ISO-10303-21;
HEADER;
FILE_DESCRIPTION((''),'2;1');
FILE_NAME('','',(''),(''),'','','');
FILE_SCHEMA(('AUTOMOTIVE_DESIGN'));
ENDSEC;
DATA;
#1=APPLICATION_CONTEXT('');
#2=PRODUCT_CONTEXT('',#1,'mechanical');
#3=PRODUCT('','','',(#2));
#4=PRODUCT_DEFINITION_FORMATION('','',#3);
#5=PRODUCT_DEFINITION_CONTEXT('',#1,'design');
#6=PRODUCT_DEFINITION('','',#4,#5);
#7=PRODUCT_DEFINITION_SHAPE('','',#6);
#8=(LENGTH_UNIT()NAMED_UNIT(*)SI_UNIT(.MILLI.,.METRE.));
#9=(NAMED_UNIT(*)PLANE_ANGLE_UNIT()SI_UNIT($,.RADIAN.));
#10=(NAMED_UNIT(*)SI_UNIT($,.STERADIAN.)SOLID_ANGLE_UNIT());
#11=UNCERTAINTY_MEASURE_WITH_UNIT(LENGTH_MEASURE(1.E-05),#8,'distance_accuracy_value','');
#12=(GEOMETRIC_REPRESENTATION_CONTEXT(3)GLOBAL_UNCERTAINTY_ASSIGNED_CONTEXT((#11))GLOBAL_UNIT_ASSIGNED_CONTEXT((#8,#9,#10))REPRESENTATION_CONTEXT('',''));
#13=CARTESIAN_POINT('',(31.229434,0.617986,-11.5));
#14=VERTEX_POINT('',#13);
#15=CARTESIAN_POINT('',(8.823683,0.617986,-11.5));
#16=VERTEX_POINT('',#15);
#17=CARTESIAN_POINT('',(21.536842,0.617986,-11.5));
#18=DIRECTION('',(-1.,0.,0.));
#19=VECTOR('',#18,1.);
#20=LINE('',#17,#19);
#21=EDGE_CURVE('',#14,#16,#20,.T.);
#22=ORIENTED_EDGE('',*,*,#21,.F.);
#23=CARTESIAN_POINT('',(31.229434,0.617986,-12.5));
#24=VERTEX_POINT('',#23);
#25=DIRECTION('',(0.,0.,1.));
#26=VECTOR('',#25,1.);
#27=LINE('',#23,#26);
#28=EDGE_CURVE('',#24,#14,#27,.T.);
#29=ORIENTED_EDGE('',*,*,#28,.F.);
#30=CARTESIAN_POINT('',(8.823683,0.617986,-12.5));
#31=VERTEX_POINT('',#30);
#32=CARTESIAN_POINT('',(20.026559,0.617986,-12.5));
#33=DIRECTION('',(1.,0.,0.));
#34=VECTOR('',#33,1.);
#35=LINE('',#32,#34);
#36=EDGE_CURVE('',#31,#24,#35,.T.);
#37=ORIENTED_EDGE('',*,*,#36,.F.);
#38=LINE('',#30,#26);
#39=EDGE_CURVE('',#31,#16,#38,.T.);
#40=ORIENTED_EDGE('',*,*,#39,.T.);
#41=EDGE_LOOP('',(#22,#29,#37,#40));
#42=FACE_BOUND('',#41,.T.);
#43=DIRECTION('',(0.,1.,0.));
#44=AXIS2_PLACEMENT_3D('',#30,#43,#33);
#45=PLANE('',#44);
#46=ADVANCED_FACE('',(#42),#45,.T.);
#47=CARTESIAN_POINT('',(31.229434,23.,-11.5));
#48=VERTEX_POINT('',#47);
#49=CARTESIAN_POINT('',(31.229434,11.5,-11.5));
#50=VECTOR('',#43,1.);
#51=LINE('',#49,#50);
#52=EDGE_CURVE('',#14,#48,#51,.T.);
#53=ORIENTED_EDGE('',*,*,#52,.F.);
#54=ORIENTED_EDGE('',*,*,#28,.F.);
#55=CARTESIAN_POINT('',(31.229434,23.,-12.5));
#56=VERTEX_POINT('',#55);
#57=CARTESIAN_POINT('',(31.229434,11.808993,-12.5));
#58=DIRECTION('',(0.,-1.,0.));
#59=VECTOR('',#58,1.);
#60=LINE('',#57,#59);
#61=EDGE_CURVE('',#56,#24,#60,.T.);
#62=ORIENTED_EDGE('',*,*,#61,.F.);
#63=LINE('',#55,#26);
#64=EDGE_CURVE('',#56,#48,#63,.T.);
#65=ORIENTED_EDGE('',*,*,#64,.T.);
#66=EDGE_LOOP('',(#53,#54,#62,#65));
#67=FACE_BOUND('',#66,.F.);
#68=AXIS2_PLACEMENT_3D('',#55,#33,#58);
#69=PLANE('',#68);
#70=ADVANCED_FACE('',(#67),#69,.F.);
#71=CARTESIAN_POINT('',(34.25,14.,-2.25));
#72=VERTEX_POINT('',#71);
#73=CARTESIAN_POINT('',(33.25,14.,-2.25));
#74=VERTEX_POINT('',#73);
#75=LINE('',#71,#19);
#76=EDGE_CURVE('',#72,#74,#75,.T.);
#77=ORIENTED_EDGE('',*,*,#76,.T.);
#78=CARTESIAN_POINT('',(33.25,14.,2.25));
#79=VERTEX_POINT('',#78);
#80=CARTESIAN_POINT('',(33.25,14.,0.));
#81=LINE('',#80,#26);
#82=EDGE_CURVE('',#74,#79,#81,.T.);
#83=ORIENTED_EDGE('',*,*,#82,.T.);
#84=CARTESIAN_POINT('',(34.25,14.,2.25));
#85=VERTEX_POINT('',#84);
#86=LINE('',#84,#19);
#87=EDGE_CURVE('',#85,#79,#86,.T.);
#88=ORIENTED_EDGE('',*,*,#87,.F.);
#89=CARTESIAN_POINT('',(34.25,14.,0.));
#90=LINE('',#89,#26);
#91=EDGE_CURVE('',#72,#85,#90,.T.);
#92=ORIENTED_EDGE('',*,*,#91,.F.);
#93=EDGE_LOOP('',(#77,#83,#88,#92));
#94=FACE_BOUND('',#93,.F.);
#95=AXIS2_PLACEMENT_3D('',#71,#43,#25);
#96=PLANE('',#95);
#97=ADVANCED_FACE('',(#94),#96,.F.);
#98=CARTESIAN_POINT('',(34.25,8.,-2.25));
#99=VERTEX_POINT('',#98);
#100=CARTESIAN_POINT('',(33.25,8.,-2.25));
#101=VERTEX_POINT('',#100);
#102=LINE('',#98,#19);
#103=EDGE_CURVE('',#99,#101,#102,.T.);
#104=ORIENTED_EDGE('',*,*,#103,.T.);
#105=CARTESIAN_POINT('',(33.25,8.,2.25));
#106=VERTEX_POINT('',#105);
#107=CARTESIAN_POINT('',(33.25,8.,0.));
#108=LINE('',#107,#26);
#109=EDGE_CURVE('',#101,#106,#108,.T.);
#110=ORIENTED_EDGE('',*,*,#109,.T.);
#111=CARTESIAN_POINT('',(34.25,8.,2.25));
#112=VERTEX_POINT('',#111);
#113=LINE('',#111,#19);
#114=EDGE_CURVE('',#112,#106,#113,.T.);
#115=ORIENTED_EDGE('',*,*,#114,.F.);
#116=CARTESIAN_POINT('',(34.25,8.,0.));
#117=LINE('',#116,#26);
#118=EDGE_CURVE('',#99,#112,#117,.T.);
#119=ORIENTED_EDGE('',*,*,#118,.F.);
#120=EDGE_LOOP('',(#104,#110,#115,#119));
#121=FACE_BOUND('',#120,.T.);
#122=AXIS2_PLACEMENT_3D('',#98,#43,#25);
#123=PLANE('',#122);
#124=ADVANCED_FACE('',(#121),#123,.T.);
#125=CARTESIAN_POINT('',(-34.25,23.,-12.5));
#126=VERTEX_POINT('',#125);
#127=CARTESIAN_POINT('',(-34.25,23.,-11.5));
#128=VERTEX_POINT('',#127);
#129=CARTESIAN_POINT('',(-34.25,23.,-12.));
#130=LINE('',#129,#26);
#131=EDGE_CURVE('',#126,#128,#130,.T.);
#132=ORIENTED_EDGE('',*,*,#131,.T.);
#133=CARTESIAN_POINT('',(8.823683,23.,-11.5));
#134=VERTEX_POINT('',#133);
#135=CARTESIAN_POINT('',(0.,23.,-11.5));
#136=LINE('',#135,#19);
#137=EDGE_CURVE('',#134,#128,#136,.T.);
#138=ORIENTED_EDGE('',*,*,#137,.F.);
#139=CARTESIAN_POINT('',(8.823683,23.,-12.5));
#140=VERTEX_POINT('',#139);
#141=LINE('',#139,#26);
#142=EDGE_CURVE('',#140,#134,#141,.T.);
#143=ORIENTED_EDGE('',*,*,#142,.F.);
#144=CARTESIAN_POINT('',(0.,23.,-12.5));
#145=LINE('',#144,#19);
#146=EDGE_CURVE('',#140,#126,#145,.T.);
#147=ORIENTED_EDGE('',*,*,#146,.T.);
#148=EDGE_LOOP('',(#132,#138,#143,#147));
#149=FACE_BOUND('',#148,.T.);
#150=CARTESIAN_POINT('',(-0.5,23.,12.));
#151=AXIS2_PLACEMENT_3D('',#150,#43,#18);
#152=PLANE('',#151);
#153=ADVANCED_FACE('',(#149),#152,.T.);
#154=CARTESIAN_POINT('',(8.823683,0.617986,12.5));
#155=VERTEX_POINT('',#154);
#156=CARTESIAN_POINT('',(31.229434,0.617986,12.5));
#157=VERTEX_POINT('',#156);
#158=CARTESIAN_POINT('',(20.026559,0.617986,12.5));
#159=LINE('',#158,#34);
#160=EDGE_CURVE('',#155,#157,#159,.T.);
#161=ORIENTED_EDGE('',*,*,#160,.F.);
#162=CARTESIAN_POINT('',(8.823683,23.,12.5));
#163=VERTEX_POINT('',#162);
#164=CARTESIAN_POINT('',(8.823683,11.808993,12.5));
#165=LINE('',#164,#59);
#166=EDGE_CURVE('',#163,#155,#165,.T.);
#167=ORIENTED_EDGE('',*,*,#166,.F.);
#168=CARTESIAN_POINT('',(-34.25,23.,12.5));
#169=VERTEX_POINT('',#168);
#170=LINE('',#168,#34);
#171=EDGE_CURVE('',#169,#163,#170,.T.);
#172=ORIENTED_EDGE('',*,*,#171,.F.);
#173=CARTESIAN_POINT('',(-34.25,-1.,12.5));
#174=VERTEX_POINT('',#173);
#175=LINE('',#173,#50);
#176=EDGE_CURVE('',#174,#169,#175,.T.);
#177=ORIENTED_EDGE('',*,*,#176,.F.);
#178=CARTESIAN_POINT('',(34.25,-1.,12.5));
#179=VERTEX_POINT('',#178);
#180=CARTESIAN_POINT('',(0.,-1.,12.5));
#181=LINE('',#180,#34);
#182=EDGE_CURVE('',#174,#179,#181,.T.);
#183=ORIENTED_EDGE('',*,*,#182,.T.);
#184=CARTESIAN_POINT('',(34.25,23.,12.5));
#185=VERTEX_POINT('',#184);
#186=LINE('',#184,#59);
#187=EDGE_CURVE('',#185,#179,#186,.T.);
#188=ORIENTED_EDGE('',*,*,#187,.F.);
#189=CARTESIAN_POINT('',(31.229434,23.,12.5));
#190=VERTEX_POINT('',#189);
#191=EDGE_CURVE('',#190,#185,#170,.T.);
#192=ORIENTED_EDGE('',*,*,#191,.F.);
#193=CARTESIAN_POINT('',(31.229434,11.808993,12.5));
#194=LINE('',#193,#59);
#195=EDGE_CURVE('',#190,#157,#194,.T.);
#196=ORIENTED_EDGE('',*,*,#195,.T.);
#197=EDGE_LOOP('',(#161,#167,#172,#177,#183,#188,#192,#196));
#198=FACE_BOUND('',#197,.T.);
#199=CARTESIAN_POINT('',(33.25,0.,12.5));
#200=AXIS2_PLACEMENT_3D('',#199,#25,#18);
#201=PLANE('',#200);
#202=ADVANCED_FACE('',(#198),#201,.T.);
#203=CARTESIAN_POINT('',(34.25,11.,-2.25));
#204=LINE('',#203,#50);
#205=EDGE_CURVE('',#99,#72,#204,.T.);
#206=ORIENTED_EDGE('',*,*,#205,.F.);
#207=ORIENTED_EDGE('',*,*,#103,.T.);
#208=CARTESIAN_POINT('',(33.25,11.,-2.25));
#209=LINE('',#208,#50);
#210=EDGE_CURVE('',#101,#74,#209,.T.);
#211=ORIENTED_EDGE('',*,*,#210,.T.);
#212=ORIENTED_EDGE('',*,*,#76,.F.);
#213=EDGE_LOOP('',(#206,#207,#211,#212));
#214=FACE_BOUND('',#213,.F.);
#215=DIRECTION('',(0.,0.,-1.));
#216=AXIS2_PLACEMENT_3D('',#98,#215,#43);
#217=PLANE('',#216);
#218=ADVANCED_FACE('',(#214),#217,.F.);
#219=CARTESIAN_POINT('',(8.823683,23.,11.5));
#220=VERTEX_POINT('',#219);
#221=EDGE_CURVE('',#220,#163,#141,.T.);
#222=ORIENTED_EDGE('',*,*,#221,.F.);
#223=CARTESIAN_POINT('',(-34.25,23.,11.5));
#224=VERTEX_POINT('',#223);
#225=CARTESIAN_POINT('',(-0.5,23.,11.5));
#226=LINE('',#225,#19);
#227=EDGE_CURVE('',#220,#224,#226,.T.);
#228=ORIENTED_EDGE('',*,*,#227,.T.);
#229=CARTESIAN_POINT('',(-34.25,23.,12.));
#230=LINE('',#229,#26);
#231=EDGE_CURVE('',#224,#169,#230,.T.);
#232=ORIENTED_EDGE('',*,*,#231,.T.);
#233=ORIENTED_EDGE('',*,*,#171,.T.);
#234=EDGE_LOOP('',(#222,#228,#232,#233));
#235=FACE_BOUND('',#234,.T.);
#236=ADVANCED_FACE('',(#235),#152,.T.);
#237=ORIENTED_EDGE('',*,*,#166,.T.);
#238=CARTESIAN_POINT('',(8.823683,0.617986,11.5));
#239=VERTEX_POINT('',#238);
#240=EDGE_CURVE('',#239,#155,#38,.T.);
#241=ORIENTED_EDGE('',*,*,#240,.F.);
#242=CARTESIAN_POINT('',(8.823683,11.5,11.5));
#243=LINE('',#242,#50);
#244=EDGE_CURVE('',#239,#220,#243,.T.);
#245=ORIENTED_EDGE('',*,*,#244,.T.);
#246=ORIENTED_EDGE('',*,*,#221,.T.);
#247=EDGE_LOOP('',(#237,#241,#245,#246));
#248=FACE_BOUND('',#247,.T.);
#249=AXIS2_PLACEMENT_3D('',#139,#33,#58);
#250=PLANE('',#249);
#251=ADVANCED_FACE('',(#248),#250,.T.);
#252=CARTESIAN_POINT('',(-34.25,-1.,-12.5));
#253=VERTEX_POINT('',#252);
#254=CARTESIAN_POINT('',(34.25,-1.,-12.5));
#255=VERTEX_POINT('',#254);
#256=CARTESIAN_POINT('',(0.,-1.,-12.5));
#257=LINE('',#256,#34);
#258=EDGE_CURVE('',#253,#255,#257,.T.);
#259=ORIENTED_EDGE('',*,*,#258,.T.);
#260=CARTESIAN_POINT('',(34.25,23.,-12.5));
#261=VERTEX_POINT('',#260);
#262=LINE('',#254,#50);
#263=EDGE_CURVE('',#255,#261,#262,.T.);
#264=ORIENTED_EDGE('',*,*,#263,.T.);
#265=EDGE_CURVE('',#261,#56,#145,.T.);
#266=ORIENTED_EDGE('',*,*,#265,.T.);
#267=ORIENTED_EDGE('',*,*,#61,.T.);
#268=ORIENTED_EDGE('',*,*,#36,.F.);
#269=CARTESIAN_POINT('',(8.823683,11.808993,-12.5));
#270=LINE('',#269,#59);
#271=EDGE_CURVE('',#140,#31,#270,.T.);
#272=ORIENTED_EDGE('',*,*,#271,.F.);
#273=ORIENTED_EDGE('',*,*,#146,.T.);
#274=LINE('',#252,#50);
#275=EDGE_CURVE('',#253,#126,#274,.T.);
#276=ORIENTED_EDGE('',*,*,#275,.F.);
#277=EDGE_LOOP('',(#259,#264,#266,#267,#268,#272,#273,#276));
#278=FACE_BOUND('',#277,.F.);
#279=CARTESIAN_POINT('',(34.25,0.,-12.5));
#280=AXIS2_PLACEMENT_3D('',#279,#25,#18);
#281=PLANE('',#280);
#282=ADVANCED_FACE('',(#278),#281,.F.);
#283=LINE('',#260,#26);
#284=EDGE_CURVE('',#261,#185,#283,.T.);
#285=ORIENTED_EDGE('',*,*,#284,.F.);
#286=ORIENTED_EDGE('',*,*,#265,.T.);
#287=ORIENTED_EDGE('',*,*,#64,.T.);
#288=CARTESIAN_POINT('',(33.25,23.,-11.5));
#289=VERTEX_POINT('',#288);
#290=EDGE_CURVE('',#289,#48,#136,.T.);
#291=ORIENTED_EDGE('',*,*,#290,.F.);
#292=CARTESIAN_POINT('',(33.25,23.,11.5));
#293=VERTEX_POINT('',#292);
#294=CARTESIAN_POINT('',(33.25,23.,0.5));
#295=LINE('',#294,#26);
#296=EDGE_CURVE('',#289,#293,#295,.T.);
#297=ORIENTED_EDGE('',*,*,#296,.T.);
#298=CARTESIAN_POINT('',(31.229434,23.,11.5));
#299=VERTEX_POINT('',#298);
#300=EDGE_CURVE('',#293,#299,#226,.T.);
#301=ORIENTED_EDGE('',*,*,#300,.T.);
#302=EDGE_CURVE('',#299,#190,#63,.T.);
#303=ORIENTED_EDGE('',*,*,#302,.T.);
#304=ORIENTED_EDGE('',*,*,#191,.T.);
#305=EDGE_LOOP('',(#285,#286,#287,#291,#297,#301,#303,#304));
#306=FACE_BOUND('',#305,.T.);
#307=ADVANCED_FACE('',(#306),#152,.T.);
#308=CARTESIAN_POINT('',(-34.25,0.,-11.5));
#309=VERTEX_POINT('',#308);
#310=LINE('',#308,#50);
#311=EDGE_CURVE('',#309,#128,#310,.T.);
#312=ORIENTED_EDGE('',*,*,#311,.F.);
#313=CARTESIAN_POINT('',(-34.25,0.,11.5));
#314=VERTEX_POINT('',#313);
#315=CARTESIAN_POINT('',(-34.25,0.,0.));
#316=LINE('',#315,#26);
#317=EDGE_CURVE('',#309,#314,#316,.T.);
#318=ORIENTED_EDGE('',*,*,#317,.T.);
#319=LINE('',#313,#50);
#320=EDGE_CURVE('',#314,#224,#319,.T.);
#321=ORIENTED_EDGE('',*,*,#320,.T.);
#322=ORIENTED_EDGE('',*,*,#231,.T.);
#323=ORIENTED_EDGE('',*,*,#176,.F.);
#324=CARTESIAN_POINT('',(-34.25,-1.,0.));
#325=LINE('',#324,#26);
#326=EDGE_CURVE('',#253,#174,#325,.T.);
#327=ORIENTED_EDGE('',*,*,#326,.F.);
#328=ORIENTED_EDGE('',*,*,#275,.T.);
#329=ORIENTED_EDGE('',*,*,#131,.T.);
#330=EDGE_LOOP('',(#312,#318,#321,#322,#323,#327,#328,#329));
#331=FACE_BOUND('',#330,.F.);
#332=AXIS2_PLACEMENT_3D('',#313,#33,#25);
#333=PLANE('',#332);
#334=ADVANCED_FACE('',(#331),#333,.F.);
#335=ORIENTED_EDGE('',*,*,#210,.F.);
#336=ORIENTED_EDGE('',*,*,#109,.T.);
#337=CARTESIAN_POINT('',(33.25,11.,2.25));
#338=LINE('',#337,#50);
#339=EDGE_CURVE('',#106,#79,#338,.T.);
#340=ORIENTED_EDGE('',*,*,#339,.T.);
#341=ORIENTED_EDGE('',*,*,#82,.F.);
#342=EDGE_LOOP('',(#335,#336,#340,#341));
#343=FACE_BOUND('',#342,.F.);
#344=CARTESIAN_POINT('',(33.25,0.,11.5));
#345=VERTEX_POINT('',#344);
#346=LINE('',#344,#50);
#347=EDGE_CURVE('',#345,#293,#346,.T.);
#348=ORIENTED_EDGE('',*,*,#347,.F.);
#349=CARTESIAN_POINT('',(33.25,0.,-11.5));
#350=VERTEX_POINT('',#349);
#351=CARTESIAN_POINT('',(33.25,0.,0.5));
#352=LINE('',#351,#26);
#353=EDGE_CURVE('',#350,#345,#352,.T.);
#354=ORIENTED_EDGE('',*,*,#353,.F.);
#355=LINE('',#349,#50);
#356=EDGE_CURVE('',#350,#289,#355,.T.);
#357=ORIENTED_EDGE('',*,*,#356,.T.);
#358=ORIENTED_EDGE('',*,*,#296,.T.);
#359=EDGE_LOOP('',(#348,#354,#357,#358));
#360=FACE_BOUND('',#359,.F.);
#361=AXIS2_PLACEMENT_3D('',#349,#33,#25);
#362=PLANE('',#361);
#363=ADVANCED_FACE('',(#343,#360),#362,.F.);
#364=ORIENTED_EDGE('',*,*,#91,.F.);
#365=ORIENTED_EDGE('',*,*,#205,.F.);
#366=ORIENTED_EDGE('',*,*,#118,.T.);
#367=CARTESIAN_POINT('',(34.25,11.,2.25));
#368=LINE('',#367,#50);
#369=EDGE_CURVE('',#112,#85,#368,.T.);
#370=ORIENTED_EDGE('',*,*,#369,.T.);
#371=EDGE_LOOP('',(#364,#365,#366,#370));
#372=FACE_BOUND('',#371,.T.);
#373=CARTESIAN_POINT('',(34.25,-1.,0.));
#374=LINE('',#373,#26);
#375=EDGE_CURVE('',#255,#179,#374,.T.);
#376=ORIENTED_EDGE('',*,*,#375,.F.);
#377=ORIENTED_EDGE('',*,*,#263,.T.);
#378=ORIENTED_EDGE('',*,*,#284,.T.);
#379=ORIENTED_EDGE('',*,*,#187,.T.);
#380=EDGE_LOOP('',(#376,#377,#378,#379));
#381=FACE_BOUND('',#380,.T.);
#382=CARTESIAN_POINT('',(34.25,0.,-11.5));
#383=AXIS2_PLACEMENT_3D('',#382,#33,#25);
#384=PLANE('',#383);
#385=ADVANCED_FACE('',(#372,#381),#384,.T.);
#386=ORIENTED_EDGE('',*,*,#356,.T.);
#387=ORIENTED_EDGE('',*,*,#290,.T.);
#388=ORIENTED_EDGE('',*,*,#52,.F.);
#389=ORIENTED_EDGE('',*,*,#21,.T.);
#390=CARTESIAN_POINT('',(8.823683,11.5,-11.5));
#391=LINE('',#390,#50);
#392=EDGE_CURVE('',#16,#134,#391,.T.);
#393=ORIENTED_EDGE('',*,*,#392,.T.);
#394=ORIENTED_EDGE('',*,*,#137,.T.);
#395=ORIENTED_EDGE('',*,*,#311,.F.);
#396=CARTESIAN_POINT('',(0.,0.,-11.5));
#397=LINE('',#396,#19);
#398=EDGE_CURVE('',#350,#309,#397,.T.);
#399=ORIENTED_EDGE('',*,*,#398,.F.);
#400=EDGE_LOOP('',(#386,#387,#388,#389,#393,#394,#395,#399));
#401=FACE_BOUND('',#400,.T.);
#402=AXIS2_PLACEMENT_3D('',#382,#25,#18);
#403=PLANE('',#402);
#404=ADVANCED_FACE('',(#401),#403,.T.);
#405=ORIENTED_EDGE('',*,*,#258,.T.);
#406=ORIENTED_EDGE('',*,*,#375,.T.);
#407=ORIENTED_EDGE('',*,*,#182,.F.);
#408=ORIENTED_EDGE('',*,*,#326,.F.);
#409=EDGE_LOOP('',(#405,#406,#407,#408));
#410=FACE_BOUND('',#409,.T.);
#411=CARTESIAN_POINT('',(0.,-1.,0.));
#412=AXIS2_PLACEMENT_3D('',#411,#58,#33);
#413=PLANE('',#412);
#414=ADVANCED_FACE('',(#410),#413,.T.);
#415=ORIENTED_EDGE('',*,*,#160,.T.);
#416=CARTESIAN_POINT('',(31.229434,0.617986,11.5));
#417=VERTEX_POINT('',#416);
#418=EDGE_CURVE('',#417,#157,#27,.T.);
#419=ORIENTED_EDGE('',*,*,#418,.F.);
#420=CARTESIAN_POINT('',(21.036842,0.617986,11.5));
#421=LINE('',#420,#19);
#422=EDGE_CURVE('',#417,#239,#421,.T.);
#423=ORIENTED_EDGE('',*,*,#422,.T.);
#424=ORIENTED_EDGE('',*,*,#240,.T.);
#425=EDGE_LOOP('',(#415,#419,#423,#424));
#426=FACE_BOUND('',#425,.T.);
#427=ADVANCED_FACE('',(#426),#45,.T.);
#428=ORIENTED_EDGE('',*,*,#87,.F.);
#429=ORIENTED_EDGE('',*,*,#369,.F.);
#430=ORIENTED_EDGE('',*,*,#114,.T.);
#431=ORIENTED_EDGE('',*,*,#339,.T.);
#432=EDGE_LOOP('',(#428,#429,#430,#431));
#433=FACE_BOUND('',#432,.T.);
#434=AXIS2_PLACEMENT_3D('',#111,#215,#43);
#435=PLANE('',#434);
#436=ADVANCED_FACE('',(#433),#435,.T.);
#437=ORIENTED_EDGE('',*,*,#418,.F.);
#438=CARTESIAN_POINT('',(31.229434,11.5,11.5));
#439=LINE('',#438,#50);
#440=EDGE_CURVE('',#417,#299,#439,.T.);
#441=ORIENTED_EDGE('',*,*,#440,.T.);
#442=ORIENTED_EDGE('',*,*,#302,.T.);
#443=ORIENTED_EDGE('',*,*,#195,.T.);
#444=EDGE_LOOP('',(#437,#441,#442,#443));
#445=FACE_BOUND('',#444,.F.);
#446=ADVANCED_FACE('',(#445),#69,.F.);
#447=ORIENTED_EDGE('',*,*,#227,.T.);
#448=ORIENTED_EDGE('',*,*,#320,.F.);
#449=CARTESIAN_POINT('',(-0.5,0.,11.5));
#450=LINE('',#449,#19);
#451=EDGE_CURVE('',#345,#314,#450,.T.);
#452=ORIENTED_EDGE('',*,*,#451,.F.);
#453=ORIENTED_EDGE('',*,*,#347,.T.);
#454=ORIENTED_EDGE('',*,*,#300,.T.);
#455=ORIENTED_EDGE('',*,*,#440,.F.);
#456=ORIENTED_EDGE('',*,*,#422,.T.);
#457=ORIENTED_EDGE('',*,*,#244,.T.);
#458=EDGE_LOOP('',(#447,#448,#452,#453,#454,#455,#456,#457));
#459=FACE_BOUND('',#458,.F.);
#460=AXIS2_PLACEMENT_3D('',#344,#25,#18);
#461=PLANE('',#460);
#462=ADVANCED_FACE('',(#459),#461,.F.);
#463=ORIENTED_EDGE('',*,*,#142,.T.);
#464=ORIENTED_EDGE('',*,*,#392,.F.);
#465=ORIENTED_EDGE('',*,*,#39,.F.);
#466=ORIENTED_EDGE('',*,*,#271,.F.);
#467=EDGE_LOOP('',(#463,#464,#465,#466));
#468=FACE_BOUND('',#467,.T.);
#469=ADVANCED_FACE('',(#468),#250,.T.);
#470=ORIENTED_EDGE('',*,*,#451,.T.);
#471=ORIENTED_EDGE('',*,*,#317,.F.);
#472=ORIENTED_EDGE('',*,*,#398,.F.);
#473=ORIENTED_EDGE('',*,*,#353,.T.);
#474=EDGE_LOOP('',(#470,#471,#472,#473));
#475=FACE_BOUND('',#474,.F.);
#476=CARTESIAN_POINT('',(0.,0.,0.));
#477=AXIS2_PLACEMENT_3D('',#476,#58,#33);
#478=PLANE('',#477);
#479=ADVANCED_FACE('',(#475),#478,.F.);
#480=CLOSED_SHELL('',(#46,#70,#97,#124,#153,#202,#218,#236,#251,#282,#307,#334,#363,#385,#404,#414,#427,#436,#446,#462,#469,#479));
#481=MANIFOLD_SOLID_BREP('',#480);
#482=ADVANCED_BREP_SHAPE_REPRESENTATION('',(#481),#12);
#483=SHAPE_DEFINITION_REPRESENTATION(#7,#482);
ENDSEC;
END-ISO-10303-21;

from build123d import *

# Parameters (mm, degrees)
F0_W      = 68.5
F0_H      = 25
F1_DEPTH  = 1
F2_W      = 68.5
F2_H      = 1
F3_DEPTH  = 23
F4_W      = 1
F4_H      = 24
F5_DEPTH  = 23
F6_W      = 67.5
F6_H      = 1
F7_DEPTH  = 23
F8_W      = 6
F8_H      = 4.5
F9_DEPTH  = 1
F10_W     = 22.405751
F10_H     = 22.382014
F11_DEPTH = 25


with BuildPart() as f1:
    # F0 (on Front) → F1 (new body)
    with BuildSketch(Plane.XZ):
        Rectangle(F0_W, F0_H)
    extrude(amount=F1_DEPTH)

    # F2 (on face) → F3 (join)
    with BuildSketch(Plane(origin=(0, 0, 0), x_dir=(-1, 0, 0), z_dir=(0, 1, 0))):
        with Locations((0, -12)):
            Rectangle(F2_W, F2_H)
    extrude(amount=F3_DEPTH)

    # F4 (on face) → F5 (join)
    with BuildSketch(Plane(origin=(0, 0, 0), x_dir=(-1, 0, 0), z_dir=(0, 1, 0))):
        with Locations((-33.75, 0.5)):
            Rectangle(F4_W, F4_H)
    extrude(amount=F5_DEPTH)

    # F6 (on face) → F7 (join)
    with BuildSketch(Plane(origin=(0, 0, 0), x_dir=(-1, 0, 0), z_dir=(0, 1, 0))):
        with Locations((0.5, 12)):
            Rectangle(F6_W, F6_H)
    extrude(amount=F7_DEPTH)

    # F8 (on face) → F9 (cut, through all)
    with BuildSketch(Plane.YZ.offset(34.25)):
        with Locations((11, 0)):
            Rectangle(F8_W, F8_H)
    extrude(amount=-F9_DEPTH, mode=Mode.SUBTRACT)

    # F10 (on face) → F11 (cut)
    with BuildSketch(Plane(origin=(0, 0, -12.5), x_dir=(1, 0, 0), z_dir=(0, 0, -1))):
        with Locations((20.026559, -11.808993)):
            Rectangle(F10_W, F10_H)
    extrude(amount=-F11_DEPTH, mode=Mode.SUBTRACT)


solid = f1.part
